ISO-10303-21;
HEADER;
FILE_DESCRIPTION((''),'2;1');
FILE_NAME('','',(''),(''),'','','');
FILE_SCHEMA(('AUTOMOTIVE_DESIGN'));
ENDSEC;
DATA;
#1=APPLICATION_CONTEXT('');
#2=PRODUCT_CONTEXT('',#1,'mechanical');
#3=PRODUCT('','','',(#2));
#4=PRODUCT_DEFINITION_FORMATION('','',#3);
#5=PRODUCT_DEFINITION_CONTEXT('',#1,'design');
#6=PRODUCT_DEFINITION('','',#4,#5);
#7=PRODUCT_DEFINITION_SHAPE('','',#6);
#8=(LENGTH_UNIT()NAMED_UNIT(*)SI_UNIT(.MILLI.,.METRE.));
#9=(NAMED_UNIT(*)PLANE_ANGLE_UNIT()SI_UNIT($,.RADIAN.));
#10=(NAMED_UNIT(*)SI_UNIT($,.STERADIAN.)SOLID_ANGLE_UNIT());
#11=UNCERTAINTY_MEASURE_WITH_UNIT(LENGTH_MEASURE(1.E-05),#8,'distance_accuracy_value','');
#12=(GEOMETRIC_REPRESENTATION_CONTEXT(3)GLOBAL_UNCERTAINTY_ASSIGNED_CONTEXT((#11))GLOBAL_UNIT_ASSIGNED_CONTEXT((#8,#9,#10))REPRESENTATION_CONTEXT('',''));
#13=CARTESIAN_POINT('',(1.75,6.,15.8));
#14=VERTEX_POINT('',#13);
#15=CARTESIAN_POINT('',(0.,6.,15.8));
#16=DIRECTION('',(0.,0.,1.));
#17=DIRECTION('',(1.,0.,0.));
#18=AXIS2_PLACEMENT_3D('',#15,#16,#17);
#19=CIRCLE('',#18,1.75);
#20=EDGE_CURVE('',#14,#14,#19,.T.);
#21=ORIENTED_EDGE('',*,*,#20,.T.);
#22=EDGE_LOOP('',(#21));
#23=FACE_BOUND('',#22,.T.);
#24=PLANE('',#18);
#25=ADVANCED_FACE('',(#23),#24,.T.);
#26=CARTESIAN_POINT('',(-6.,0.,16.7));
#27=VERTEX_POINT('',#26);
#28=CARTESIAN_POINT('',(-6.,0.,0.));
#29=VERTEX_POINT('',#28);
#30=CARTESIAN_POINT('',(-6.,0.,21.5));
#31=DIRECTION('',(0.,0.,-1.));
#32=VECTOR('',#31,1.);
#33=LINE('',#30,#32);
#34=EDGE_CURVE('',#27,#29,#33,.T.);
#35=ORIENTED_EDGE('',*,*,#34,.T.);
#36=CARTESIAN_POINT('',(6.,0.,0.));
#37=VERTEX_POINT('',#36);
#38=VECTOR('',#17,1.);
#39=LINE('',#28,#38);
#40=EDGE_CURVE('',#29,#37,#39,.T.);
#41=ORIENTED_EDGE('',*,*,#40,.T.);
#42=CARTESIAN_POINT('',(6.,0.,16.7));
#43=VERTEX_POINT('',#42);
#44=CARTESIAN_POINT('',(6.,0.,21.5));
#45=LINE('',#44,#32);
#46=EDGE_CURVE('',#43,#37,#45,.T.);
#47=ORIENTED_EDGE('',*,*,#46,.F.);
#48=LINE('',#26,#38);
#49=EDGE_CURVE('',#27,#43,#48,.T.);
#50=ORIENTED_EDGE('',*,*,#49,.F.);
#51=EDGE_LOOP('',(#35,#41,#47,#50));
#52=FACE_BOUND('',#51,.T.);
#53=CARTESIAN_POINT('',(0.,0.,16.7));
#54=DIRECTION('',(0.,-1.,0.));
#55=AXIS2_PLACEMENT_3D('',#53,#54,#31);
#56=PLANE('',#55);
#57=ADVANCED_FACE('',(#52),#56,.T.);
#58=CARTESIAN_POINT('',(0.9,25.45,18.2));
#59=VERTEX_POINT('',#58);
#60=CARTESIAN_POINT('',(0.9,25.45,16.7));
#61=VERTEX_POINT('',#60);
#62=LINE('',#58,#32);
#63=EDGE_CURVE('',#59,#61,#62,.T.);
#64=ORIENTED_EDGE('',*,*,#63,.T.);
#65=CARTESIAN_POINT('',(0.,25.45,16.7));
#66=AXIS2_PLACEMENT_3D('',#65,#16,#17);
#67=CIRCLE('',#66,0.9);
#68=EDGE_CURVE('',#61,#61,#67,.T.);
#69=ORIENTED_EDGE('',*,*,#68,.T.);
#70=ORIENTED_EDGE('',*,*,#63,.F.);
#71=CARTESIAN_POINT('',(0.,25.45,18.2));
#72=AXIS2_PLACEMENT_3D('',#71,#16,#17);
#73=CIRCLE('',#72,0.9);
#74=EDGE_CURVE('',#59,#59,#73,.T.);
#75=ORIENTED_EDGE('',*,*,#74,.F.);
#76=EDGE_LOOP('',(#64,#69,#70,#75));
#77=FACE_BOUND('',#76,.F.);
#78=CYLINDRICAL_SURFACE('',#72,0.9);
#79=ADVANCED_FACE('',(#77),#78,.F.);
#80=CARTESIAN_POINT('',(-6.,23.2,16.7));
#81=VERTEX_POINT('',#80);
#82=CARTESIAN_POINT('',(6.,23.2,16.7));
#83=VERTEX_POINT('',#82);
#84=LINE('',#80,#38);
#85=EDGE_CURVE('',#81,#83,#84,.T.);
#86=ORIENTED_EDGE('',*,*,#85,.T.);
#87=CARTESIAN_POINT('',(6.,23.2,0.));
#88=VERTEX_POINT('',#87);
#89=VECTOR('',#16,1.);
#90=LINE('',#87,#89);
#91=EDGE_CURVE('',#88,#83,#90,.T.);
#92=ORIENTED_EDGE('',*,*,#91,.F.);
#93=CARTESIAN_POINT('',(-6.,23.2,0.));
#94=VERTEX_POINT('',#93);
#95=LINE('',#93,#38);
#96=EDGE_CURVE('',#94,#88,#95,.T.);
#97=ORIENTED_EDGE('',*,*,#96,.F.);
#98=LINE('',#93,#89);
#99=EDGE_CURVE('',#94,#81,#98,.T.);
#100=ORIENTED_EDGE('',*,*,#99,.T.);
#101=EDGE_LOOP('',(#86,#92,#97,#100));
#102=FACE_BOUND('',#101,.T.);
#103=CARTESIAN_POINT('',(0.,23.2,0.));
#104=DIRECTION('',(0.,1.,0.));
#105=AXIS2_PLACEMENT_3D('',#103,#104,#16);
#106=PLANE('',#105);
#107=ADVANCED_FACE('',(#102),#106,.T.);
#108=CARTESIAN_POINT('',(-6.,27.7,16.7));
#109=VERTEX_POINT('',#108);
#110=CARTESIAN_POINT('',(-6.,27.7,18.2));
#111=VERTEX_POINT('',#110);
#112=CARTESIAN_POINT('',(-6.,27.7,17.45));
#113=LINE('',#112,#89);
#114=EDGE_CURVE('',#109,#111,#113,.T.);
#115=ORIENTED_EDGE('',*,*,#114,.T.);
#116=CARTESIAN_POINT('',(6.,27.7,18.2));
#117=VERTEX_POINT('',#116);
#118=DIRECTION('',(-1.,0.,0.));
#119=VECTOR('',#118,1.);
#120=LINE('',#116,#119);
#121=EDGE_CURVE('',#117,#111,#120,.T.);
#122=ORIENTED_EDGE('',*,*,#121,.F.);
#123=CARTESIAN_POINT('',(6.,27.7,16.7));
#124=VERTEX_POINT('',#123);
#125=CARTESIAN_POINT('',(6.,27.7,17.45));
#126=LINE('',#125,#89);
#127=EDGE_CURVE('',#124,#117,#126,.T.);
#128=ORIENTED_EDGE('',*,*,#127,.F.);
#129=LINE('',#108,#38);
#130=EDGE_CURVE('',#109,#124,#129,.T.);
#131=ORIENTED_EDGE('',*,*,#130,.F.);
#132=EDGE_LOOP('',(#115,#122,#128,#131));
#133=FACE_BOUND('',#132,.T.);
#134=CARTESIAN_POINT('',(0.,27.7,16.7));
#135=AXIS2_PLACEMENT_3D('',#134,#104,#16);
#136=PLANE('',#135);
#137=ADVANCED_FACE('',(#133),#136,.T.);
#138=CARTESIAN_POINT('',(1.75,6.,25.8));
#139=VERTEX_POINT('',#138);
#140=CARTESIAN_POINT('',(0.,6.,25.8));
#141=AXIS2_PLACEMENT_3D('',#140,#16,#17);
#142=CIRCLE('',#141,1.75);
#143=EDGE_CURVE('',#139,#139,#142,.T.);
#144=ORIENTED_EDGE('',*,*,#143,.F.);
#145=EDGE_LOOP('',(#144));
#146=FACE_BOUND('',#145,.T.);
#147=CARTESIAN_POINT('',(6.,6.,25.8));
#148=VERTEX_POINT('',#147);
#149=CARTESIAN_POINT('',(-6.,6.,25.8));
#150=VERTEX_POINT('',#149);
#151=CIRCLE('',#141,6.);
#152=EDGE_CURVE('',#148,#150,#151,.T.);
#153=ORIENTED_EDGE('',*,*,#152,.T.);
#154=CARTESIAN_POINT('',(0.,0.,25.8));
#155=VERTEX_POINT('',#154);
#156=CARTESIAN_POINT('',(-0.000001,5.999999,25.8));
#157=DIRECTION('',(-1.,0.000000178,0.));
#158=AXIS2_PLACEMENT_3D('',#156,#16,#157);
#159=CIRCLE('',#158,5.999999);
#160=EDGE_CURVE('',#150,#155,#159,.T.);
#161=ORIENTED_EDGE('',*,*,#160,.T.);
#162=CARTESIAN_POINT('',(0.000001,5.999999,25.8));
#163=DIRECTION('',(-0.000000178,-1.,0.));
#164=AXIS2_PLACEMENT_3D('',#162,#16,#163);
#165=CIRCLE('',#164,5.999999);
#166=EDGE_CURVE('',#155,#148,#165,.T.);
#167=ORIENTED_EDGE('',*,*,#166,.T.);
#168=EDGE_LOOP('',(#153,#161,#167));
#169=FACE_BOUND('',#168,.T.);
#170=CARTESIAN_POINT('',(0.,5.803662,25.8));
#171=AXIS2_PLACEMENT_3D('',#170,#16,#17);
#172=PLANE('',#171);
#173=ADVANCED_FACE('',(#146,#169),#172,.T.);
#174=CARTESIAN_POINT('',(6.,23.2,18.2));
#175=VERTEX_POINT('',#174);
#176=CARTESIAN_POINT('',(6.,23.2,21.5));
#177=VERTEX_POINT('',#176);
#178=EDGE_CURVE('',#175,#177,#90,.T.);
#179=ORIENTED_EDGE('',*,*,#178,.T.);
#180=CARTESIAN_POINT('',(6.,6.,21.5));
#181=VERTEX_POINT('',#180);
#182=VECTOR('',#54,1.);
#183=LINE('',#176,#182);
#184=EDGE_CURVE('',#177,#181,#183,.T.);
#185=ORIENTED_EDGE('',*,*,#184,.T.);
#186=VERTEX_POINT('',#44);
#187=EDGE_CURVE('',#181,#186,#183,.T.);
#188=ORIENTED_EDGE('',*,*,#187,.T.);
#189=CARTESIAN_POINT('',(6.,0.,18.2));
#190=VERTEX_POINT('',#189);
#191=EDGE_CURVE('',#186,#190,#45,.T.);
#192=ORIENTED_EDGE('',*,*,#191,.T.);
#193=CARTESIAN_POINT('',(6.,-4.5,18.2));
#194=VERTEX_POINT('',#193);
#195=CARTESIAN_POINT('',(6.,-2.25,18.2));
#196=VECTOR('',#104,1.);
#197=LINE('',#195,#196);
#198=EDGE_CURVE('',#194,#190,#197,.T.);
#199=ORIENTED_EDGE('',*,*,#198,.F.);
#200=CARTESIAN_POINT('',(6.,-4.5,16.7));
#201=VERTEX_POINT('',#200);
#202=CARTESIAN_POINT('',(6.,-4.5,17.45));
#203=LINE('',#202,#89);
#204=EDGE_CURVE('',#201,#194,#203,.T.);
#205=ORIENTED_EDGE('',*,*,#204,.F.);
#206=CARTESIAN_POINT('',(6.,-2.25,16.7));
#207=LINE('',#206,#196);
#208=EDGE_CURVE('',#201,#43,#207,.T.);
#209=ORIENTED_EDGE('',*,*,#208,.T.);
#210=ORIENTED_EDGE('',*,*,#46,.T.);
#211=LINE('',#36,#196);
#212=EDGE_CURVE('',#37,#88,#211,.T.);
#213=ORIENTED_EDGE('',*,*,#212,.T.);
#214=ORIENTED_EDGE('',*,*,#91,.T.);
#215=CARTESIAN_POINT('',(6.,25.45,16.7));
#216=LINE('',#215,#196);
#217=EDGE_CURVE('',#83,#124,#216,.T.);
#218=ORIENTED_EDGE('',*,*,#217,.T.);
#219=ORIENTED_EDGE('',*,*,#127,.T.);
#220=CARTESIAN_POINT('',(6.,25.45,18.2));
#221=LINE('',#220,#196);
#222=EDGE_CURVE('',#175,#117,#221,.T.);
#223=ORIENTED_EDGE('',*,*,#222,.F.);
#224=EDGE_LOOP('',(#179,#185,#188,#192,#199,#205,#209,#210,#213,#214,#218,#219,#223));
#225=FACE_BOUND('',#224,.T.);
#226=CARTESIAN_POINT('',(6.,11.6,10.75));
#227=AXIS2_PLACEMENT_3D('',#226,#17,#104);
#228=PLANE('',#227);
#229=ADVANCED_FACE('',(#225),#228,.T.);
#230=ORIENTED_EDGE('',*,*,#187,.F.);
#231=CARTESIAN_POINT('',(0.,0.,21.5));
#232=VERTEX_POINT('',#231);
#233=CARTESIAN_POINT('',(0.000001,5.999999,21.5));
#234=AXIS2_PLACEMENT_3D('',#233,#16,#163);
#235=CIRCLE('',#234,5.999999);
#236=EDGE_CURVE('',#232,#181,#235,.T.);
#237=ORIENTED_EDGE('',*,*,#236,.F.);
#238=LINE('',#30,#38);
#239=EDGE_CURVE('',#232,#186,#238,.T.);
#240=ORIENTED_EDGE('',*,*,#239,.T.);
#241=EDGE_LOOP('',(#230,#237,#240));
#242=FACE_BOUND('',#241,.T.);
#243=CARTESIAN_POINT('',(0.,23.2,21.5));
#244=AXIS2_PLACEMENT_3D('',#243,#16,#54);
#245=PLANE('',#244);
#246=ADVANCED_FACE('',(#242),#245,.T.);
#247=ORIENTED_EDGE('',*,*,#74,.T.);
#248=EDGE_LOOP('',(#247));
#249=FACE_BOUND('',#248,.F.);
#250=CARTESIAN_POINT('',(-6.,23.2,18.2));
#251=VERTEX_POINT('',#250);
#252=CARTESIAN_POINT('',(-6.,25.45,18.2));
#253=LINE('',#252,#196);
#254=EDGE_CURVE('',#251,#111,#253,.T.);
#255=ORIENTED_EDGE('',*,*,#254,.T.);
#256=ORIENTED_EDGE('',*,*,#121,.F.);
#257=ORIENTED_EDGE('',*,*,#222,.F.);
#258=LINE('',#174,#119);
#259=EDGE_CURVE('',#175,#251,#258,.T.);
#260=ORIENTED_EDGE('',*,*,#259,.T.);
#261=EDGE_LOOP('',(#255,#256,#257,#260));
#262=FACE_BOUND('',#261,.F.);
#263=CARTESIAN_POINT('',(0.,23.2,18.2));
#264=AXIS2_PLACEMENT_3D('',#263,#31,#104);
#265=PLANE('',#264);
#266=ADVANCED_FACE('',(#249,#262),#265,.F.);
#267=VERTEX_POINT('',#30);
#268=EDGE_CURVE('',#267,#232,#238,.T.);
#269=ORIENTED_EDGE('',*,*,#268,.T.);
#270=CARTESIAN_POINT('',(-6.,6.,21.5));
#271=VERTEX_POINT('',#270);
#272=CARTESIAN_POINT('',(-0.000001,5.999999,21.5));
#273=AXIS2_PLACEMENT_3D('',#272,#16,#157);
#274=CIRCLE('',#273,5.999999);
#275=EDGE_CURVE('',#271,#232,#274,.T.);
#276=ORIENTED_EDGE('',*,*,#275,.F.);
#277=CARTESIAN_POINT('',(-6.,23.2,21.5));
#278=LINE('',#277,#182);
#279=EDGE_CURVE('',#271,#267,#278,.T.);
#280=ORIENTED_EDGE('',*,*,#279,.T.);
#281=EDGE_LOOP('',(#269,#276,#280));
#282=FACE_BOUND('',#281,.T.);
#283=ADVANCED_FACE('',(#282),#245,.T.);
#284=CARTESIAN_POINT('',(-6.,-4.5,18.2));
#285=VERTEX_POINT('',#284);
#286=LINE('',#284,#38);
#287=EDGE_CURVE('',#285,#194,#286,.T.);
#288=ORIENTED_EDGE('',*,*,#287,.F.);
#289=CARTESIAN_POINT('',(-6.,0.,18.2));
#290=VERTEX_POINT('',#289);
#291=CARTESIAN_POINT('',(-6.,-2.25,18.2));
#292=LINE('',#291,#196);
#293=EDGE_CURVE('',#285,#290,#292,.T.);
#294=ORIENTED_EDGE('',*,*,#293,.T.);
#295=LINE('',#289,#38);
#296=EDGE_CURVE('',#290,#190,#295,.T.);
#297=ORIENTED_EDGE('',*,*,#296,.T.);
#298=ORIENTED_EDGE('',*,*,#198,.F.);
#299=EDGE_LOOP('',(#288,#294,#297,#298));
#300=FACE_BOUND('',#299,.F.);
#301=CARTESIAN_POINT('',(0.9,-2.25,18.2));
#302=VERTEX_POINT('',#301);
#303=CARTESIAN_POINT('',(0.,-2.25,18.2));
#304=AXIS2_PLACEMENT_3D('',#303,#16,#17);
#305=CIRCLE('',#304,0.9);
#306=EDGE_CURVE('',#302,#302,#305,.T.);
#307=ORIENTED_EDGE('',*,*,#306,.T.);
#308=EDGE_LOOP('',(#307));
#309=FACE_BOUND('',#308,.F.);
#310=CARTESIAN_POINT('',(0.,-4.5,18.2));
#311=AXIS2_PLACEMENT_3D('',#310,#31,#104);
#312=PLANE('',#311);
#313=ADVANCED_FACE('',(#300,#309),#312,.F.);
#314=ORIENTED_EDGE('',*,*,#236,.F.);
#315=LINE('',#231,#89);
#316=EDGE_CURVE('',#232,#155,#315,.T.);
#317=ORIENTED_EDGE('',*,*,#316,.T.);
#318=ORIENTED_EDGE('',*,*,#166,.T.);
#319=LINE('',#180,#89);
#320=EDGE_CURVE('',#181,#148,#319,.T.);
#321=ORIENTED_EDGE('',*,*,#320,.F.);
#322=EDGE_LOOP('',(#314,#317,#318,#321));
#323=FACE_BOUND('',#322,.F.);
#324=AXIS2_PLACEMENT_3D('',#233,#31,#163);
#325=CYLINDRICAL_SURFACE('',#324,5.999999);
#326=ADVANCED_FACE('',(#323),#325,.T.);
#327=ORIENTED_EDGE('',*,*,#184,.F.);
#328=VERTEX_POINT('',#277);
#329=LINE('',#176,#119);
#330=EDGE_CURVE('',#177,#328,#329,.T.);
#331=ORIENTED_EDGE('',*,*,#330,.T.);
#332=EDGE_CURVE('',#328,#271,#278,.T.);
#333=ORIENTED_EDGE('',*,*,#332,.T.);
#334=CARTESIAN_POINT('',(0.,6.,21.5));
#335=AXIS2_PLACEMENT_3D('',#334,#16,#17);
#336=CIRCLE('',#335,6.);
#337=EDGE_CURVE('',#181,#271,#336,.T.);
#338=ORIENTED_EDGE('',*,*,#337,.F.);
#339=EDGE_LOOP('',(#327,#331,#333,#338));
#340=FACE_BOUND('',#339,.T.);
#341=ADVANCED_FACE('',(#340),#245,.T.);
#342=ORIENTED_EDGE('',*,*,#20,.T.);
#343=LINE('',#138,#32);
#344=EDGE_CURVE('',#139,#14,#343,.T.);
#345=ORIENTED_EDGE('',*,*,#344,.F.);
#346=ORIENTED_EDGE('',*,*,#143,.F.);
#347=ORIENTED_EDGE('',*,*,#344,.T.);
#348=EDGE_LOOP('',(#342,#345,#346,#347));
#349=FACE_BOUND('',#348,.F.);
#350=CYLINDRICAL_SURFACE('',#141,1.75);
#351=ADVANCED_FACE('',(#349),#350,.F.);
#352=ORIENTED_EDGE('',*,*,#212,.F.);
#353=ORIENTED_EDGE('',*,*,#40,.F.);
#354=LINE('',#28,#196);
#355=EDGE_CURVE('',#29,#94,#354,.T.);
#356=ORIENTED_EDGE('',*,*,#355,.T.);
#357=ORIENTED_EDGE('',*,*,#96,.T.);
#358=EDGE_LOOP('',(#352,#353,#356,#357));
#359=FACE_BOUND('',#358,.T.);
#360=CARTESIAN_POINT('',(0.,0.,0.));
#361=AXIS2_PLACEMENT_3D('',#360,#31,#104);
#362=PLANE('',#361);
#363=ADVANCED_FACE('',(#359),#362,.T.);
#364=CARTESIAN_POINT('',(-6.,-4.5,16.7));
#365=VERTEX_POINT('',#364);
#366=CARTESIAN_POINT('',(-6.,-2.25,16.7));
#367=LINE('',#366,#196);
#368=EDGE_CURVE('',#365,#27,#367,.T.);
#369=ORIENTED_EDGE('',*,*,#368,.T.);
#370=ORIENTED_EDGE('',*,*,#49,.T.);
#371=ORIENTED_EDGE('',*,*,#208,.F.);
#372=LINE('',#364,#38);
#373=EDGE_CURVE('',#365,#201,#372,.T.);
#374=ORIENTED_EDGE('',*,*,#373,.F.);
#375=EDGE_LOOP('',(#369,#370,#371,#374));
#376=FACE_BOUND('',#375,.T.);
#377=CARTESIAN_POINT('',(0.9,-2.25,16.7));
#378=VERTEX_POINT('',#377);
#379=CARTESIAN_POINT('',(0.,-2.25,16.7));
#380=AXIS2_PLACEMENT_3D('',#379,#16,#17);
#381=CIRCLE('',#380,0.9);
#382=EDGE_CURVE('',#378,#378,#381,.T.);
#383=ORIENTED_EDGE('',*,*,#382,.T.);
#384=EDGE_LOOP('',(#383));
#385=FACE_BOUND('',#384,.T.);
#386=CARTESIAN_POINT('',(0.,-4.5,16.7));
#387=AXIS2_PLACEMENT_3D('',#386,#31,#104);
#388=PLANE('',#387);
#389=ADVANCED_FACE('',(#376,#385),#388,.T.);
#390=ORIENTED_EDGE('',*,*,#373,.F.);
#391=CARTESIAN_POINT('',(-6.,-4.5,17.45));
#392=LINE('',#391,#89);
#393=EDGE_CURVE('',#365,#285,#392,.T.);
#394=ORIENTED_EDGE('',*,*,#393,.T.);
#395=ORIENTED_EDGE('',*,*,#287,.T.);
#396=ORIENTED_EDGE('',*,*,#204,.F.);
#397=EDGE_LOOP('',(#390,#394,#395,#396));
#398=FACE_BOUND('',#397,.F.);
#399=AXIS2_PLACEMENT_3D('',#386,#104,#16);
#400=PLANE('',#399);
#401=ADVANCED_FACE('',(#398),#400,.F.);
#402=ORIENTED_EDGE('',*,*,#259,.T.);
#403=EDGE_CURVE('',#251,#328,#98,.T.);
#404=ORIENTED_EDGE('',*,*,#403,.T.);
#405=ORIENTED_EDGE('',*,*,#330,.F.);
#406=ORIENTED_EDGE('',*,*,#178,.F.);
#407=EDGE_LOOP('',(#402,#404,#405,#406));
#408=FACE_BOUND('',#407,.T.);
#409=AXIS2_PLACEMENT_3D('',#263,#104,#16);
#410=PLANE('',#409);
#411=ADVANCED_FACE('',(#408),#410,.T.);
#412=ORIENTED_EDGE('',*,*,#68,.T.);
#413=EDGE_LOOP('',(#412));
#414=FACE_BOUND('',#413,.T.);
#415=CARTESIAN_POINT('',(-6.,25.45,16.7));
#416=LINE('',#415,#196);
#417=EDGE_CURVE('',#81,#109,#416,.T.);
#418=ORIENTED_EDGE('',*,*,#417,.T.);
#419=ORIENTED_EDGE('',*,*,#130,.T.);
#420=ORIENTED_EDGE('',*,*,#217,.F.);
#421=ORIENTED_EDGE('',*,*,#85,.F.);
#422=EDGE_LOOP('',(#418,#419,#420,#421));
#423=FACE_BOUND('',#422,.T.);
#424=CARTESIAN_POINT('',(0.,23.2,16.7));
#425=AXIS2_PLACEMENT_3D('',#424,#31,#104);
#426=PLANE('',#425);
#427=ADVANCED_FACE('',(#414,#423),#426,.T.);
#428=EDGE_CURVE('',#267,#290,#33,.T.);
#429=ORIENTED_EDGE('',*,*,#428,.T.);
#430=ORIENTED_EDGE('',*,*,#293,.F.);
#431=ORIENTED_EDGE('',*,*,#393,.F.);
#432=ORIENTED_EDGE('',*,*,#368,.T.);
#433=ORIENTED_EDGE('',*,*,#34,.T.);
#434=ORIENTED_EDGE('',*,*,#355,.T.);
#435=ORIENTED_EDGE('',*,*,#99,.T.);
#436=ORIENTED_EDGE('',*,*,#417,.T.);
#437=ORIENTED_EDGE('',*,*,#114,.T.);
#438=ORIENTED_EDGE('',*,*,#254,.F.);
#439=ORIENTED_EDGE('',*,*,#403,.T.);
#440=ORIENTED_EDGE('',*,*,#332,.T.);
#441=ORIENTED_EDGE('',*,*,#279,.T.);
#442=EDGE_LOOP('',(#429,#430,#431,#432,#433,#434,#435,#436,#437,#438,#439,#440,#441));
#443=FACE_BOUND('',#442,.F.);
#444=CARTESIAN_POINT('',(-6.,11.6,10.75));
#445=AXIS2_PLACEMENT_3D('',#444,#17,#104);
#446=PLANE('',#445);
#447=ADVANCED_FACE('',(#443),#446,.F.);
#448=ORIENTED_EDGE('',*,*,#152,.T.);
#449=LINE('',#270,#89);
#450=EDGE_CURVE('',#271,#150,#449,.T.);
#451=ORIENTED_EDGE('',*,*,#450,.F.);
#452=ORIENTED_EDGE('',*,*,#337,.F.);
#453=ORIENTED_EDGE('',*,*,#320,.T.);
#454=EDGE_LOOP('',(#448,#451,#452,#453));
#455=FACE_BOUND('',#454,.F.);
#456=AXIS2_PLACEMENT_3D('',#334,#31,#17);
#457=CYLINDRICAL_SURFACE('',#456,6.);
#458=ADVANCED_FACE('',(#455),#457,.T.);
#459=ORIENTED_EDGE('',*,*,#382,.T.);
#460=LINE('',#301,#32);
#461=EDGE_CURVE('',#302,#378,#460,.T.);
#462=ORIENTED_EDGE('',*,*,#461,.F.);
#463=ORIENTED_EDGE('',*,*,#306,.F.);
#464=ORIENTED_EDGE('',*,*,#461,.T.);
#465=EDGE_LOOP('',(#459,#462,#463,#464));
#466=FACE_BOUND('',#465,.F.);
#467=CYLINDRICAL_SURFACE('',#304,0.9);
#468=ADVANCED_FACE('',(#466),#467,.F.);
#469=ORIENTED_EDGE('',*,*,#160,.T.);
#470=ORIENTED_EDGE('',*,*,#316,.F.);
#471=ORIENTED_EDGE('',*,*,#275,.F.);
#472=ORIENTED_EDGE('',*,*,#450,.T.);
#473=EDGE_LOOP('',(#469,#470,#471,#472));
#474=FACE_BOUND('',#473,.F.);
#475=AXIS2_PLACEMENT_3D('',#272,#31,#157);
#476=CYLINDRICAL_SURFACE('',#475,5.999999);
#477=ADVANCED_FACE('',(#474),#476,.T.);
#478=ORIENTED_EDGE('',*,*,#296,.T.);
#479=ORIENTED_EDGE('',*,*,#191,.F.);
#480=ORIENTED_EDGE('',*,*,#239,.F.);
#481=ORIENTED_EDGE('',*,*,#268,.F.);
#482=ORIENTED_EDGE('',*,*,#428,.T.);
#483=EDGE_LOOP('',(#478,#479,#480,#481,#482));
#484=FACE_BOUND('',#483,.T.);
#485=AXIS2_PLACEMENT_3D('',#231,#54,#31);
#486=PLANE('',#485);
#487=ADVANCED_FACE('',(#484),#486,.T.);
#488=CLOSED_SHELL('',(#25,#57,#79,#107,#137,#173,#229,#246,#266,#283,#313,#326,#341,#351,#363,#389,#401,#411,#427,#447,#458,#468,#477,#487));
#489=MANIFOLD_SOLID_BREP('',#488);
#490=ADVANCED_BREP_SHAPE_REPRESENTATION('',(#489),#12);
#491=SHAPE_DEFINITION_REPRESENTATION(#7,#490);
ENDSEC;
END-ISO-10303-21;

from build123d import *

# Parameters (mm, degrees)
F0_W     = 4.5
F0_H     = 1.5
F1_DEPTH = 6
F2_R     = 0.9
F3_DEPTH = 18.201
F5_DEPTH = 4.3
F6_R     = 1.75
F7_DEPTH = 10


with BuildPart() as f1:
    # F0 (on Right) → F1 (new body, symmetric)
    with BuildSketch(Plane.YZ):
        Polygon((23.2, 21.5), (0, 21.5), (0, 18.2), (0, 16.7), (0, 0), (23.2, 0), (23.2, 16.7), (23.2, 18.2), align=None)
        with Locations((-2.25, 17.45)):
            Rectangle(F0_W, F0_H)
        with Locations((25.45, 17.45)):
            Rectangle(F0_W, F0_H)
    extrude(amount=F1_DEPTH, both=True)

    # F2 (on face) → F3 (cut, through all)
    with BuildSketch(Plane.XY.offset(18.2)):
        with Locations((0, -2.25)):
            Circle(F2_R)
        with Locations((0, 25.45)):
            Circle(F2_R)
    extrude(amount=-F3_DEPTH, mode=Mode.SUBTRACT)

    # F4 (on face) → F5 (join)
    with BuildSketch(Plane.XY.offset(21.5)):
        with BuildLine():
            ThreePointArc((0, 0), (4.242641, 1.757359), (6, 6))
            ThreePointArc((6, 6), (0, 12), (-6, 6))
            ThreePointArc((-6, 6), (-4.242641, 1.757359), (0, 0))
        make_face()
    extrude(amount=F5_DEPTH)

    # F6 (on face) → F7 (cut)
    with BuildSketch(Plane.XY.offset(25.8)):
        with Locations((0, 6)):
            Circle(F6_R)
    extrude(amount=-F7_DEPTH, mode=Mode.SUBTRACT)


solid = f1.part
